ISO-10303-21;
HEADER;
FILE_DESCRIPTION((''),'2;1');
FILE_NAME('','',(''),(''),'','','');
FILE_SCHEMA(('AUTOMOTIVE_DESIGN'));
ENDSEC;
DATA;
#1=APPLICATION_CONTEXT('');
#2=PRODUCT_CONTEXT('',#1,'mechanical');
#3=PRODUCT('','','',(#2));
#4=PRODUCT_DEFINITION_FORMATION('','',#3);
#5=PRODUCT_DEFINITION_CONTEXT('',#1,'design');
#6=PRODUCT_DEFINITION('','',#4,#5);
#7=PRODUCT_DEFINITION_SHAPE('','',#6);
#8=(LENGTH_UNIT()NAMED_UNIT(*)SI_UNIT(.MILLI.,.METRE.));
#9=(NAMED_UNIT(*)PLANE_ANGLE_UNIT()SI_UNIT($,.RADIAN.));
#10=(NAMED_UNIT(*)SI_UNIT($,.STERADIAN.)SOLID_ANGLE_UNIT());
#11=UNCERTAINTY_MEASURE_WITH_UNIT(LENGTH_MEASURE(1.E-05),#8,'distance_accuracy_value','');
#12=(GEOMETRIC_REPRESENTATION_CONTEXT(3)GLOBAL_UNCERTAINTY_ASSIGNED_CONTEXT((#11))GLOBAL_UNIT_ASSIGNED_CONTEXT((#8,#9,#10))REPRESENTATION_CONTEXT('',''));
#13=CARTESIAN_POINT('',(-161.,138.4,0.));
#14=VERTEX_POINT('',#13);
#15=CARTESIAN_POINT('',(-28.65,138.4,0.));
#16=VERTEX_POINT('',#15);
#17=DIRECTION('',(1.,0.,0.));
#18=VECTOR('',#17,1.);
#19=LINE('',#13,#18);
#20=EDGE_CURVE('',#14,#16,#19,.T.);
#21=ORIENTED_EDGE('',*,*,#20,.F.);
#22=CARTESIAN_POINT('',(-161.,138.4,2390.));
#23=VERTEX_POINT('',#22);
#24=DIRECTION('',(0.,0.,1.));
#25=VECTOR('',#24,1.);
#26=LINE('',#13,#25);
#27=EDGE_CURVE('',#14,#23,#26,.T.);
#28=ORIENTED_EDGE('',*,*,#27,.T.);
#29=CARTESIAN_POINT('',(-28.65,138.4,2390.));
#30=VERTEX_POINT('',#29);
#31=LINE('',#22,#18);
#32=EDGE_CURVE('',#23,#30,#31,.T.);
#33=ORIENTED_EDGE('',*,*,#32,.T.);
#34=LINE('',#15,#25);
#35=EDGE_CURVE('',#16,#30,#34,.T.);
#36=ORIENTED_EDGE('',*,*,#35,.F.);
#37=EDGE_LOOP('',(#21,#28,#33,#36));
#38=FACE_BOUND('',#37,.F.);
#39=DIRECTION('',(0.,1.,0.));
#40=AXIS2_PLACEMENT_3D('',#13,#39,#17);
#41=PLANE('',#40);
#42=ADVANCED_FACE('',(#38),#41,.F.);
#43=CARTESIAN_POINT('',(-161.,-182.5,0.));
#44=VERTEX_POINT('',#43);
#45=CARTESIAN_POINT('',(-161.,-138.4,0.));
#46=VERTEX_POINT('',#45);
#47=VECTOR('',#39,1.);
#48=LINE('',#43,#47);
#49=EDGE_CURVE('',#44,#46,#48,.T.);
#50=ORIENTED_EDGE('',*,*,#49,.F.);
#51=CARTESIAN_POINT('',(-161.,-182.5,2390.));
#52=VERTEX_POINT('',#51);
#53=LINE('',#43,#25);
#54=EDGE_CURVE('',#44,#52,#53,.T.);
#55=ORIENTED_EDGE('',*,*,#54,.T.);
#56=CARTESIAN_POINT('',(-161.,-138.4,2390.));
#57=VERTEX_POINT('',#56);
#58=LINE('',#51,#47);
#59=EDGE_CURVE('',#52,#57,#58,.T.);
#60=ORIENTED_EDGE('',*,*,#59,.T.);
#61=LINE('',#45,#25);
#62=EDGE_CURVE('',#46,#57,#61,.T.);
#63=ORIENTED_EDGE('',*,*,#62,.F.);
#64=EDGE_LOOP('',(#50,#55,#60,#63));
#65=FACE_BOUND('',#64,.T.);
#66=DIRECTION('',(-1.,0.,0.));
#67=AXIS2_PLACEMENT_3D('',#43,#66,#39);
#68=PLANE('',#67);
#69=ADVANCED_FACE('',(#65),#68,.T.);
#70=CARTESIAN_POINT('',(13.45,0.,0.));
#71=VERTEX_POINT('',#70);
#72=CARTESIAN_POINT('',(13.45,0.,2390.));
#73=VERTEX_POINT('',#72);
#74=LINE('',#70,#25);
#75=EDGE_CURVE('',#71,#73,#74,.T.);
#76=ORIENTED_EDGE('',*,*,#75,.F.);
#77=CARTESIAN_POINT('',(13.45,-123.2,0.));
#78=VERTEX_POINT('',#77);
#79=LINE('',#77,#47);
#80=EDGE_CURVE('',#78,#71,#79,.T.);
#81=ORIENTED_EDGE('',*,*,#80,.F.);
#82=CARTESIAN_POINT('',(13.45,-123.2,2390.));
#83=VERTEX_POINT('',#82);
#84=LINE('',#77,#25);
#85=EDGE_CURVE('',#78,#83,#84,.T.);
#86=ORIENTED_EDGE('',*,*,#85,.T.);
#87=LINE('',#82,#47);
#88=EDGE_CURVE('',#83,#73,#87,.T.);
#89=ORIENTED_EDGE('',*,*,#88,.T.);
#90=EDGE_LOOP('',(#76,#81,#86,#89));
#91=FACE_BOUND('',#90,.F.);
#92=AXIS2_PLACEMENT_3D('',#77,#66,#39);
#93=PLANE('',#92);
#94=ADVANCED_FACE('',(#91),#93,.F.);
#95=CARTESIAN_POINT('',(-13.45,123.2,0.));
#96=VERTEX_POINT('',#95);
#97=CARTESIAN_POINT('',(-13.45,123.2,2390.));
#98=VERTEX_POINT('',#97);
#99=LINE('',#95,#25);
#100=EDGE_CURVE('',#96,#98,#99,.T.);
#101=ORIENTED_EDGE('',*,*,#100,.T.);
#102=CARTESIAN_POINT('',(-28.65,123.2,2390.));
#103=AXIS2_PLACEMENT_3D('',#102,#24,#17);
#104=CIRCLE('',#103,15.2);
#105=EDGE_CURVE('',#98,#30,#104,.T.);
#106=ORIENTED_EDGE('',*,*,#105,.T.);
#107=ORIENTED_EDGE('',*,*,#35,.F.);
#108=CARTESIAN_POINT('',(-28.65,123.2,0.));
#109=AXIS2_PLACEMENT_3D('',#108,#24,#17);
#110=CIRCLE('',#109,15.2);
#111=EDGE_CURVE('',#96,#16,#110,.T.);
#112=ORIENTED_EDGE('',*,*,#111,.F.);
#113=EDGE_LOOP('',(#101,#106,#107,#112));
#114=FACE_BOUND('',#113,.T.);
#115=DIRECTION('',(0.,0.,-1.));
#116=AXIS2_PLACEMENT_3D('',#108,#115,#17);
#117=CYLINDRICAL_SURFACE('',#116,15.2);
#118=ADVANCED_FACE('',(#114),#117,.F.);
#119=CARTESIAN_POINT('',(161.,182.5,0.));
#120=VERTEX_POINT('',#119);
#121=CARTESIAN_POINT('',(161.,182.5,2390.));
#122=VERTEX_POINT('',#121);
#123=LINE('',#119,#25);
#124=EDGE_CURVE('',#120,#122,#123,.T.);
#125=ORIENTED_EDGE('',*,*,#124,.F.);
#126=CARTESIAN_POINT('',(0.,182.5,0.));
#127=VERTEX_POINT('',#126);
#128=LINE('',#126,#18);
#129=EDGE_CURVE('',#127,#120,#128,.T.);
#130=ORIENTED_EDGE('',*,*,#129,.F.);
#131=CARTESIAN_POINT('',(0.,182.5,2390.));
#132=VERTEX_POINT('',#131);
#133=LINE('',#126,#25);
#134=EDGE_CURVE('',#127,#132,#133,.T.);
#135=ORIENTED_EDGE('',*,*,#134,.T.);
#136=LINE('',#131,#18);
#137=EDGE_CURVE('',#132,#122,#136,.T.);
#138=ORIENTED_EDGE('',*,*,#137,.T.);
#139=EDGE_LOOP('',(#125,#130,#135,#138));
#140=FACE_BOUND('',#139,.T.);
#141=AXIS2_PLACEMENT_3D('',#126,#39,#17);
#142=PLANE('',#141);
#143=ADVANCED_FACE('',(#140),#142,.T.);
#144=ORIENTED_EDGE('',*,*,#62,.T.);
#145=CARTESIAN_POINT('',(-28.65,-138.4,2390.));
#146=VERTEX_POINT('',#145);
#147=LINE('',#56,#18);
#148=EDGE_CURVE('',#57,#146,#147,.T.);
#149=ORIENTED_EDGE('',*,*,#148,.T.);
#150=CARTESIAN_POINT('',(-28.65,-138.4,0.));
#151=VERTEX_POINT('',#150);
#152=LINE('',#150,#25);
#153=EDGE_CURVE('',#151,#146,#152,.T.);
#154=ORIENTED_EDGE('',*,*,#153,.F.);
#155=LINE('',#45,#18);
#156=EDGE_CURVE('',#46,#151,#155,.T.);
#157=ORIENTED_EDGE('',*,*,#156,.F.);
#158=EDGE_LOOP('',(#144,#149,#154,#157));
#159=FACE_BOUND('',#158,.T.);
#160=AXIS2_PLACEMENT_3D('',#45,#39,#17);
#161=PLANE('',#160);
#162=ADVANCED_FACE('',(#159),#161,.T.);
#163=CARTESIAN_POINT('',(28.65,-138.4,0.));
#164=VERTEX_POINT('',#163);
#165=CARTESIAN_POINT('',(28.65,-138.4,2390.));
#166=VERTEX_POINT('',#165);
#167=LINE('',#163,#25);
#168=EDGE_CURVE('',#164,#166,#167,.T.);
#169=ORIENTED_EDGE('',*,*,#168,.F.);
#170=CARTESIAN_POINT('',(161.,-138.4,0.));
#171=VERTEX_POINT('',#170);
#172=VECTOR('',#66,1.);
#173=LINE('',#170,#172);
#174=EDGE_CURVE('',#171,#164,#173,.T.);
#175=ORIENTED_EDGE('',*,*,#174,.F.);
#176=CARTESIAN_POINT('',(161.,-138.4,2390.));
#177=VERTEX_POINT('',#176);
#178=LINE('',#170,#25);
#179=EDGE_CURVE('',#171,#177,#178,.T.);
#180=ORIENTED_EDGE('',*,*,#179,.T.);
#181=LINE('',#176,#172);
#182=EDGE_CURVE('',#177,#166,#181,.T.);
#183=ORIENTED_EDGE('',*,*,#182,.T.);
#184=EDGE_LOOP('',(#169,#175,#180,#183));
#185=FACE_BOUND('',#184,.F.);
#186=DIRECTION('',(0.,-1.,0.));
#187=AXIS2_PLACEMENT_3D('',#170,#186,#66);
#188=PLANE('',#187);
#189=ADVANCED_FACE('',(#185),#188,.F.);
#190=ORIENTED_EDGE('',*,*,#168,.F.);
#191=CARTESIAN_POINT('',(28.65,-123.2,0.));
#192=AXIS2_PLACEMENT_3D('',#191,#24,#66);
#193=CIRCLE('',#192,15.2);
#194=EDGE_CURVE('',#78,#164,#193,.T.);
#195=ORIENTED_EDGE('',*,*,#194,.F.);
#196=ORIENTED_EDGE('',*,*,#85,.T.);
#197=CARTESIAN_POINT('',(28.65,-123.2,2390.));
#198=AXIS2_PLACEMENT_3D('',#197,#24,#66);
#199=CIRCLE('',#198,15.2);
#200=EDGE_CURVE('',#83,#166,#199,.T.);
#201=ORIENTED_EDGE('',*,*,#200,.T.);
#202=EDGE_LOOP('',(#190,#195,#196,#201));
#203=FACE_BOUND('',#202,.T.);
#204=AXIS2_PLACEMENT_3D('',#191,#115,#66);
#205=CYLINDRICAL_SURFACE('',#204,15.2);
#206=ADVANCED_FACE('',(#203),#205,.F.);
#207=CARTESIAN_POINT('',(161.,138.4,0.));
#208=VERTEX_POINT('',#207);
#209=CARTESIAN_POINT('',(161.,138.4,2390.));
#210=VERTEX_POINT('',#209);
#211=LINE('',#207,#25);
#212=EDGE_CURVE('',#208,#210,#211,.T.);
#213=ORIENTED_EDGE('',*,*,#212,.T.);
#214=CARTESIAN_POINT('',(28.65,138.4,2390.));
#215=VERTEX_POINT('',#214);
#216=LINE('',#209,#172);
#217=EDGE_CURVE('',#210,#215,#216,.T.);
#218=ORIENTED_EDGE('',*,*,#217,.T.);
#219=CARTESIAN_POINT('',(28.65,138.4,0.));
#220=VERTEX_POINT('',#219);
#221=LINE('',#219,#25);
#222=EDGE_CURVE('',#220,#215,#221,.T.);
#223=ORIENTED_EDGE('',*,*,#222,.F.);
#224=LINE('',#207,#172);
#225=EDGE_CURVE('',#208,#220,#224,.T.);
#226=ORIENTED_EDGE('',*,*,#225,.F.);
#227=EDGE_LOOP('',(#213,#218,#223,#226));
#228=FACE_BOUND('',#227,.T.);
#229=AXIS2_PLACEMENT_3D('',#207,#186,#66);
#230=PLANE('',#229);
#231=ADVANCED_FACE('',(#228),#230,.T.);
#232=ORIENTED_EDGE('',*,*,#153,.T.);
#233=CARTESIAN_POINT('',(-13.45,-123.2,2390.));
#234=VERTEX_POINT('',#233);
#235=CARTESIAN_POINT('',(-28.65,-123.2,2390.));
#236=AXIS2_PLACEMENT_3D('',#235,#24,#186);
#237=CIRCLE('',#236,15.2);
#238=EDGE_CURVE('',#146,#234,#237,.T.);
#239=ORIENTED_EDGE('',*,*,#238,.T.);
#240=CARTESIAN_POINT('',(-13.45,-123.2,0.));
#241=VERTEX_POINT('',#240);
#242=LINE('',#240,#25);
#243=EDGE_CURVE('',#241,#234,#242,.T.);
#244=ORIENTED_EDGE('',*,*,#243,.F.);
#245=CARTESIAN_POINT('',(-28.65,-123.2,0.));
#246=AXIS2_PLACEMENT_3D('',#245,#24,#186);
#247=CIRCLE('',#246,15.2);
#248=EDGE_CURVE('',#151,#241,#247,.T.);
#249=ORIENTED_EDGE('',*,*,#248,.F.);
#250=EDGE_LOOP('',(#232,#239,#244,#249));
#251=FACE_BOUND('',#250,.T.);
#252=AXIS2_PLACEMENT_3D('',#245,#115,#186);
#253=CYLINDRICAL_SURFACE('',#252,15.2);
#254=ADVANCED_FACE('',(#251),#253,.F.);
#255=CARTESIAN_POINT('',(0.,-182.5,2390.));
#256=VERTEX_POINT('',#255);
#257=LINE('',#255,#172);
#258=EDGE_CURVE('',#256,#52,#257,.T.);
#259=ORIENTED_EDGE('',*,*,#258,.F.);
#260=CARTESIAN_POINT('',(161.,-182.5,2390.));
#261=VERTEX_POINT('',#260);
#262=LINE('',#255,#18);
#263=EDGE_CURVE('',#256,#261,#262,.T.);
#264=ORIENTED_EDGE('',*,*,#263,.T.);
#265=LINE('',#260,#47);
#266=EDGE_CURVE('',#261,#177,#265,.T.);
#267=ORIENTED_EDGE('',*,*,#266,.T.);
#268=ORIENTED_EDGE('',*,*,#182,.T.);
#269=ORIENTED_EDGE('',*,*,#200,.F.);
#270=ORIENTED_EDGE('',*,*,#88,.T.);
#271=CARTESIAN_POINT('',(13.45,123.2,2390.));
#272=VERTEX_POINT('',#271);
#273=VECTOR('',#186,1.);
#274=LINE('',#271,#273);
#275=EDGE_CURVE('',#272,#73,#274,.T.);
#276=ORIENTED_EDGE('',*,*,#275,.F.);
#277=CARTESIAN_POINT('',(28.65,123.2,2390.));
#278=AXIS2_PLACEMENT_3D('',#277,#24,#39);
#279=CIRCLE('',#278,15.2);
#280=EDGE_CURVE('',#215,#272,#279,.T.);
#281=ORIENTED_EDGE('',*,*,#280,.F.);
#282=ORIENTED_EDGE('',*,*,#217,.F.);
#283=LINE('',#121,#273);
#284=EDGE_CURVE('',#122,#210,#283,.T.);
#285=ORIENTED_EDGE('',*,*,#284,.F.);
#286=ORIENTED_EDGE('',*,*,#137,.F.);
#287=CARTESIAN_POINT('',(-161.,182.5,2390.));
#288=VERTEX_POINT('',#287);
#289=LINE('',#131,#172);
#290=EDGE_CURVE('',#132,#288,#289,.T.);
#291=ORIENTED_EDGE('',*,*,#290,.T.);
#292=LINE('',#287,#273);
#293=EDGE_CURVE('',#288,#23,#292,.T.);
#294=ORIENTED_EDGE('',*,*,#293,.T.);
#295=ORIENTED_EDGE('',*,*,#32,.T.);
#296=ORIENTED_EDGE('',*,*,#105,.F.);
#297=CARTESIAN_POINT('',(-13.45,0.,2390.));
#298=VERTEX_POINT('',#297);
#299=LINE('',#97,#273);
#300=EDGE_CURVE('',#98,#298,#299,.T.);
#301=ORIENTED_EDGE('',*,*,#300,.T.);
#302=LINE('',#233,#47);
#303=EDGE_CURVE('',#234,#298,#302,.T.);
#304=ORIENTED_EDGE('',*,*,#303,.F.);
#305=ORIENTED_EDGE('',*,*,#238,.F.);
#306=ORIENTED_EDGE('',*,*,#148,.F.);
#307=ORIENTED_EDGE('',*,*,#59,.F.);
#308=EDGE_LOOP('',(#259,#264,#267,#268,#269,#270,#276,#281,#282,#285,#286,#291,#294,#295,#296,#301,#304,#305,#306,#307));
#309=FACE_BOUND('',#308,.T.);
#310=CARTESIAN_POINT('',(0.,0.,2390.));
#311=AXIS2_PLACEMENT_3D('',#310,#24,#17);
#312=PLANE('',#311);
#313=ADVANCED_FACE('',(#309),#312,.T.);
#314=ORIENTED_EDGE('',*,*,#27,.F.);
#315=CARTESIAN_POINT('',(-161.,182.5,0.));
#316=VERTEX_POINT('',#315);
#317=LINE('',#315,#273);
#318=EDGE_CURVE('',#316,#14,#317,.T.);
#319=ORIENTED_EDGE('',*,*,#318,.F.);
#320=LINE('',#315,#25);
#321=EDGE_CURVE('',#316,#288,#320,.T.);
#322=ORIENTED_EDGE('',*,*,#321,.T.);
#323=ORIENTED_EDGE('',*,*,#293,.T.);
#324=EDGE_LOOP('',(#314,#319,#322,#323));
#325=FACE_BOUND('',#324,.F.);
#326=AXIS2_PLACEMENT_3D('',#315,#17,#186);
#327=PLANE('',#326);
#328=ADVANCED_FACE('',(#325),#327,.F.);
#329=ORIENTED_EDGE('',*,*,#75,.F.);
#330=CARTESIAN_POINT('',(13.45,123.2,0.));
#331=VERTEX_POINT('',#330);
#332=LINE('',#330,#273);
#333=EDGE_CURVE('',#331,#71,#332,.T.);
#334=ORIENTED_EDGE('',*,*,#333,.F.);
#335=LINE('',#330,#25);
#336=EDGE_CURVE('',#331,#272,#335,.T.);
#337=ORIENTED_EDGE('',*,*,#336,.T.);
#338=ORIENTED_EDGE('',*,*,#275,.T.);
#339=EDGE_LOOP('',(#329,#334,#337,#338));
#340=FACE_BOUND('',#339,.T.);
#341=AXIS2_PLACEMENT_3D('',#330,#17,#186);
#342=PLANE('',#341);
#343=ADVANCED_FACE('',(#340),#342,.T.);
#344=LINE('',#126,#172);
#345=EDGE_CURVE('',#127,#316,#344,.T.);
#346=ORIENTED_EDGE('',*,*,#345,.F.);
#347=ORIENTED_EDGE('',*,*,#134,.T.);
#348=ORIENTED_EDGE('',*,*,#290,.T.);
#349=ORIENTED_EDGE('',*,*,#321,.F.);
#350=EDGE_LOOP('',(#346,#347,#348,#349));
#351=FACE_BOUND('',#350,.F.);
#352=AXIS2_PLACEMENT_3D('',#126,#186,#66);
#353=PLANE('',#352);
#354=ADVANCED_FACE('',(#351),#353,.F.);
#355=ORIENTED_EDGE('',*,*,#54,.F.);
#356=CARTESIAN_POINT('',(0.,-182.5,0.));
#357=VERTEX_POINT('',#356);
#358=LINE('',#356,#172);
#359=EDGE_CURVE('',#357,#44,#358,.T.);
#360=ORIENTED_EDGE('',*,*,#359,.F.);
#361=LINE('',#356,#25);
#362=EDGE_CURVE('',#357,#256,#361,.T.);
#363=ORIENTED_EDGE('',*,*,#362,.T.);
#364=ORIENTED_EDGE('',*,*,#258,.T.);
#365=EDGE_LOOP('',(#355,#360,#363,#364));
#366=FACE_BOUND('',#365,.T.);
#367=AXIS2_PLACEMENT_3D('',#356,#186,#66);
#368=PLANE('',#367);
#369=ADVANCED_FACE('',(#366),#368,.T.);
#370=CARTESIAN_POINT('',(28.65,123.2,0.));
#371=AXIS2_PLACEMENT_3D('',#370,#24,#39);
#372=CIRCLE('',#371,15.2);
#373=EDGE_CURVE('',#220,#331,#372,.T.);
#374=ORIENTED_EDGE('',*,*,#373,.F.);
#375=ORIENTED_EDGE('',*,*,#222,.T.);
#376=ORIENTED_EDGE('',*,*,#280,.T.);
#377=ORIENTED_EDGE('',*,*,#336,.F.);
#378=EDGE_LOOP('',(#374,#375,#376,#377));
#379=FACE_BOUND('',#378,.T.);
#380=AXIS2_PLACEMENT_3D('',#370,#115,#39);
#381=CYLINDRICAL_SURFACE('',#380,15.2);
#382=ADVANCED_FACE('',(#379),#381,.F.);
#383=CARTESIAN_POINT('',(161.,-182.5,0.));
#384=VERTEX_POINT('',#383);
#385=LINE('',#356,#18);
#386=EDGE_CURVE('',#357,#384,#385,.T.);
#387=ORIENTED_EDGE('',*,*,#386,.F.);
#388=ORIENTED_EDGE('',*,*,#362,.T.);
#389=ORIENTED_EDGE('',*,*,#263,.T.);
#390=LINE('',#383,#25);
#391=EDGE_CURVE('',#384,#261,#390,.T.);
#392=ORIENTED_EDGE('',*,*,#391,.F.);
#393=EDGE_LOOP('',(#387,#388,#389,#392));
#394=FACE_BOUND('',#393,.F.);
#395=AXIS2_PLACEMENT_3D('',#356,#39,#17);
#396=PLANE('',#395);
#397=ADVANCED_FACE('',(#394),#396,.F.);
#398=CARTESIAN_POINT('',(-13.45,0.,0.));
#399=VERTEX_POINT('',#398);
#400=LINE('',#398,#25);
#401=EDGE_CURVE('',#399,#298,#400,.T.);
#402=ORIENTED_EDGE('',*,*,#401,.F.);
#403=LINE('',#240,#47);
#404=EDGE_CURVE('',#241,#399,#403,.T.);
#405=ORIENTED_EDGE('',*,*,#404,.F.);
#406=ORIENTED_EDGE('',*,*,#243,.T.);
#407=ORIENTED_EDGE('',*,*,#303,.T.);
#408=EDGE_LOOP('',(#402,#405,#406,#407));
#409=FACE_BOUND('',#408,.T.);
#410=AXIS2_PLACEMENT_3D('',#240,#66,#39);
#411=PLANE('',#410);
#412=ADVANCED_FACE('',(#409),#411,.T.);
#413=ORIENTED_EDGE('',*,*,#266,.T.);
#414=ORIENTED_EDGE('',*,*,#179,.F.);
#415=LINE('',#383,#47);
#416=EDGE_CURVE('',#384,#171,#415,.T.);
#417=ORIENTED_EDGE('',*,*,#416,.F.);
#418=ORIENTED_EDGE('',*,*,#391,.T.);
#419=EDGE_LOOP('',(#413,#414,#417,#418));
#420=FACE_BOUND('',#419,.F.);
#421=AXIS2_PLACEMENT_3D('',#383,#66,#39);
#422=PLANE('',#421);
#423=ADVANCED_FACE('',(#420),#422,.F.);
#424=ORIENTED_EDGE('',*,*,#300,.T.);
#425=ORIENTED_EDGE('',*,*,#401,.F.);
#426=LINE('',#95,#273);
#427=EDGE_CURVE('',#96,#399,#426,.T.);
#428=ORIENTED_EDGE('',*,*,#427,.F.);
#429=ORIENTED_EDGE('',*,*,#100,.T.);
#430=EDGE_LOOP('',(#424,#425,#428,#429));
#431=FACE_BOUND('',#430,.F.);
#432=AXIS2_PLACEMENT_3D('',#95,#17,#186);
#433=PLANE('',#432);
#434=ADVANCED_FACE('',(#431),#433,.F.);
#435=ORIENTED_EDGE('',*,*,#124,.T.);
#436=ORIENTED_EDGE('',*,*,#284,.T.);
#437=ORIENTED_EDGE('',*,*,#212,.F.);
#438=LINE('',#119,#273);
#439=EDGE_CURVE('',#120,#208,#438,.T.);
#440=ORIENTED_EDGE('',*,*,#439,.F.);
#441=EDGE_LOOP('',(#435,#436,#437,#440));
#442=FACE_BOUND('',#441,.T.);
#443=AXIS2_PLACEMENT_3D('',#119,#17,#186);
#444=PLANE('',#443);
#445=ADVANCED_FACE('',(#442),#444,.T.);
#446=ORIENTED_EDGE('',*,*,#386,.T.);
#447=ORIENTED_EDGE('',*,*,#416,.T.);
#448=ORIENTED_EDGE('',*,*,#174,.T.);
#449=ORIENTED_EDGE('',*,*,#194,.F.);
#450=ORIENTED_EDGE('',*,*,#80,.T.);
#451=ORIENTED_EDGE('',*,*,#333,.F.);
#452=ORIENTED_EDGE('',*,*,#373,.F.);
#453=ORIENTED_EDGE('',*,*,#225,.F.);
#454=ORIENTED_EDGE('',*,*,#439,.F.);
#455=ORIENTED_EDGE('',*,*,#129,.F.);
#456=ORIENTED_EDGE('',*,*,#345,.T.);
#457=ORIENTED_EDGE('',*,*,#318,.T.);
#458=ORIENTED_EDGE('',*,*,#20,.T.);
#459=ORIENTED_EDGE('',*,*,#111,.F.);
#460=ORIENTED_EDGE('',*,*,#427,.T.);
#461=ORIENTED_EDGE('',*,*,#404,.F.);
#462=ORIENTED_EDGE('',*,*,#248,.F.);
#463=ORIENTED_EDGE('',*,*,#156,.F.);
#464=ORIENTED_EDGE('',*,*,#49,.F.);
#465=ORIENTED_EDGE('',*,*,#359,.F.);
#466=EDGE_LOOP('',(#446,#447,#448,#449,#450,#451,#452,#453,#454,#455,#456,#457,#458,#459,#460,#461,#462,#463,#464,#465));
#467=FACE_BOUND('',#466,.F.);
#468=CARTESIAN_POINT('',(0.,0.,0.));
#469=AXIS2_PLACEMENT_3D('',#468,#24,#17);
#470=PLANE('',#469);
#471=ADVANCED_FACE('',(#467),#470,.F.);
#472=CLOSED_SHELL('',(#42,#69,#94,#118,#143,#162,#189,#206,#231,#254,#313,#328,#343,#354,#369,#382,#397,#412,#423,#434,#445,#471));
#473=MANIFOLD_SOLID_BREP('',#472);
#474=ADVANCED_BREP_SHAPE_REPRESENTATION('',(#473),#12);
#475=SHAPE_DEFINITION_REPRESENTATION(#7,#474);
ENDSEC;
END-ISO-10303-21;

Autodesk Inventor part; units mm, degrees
ref_plane "YZ Plane" through (0, 0, 0) normal (1, 0, 0) x (0, 1, 0)
ref_plane "Start plane" through (0, 0, 0) normal (0, 0, 1) x (1, 0, 0)
ref_plane "End plane" through (0, 0, 2390) normal (0, 0, 1) x (1, 0, 0)
sketch "Sketch" plane through (0, 0, 0) normal (0, 0, 1) x (1, 0, 0)
  line L0 (-161, -182.5) -> (-161, -138.4)
  line L1 (-161, -138.4) -> (-28.65, -138.4)
  line L2 (-13.45, -123.2) -> (-13.45, 0)
  line L3 (-13.45, 0) -> (0, 0) construction
  line L4 (0, 0) -> (0, -182.5) construction
  line L5 (0, -182.5) -> (-161, -182.5)
  line L6 (-60, 0) -> (80, 0) construction
  line L7 (0, -60) -> (0, 80) construction
  line L8 (161, -182.5) -> (161, -138.4)
  line L9 (161, -138.4) -> (28.65, -138.4)
  line L10 (13.45, -123.2) -> (13.45, 0)
  line L11 (13.45, 0) -> (0, 0) construction
  line L12 (0, -182.5) -> (161, -182.5)
  line L13 (-161, 182.5) -> (-161, 138.4)
  line L14 (-161, 138.4) -> (-28.65, 138.4)
  line L15 (-13.45, 123.2) -> (-13.45, 0)
  line L16 (0, 182.5) -> (-161, 182.5)
  line L17 (161, 182.5) -> (161, 138.4)
  line L18 (161, 138.4) -> (28.65, 138.4)
  line L19 (0, 182.5) -> (161, 182.5)
  line L20 (13.45, 123.2) -> (13.45, 0)
  arc A0 (-13.45, 123.2) -> (-28.65, 138.4) centre (-28.65, 123.2) ccw
  arc A1 (28.65, 138.4) -> (13.45, 123.2) centre (28.65, 123.2) ccw
  arc A2 (13.45, -123.2) -> (28.65, -138.4) centre (28.65, -123.2) ccw
  arc A3 (-28.65, -138.4) -> (-13.45, -123.2) centre (-28.65, -123.2) ccw
  line L21 (0, 108) -> (0, -88) construction
  line L22 (-88, 0) -> (108, 0) construction
  point P0 (-13.45, -138.4)
  point P1 (13.45, -138.4)
  point P2 (-13.45, 138.4)
  point P3 (13.45, 138.4)
  dimension "d1" = 182.5
  dimension "d2" = 44.1
  dimension "d3" = 161
  dimension "d4" = 13.45
  dimension "d10" = 15.2
extrude "Body" add sketch "Sketch" along normal up to surface (2390 mm away) from surface at 0
sketch "Sketch4" plane through (0, 0, 0) normal (0, 0, 1) x (1, 0, 0)
  line L0 (0, 0) -> (10, 0)
ref_plane "Work Plane3" through (0, 0, 0) normal (0, -1, 0) x (1, 0, 0)
sketch "Sketch5" plane through (0, 0, 0) normal (0, -1, 0) x (1, 0, 0)
  line L0 (-2, 0) -> (12, 0) projected
  line L1 (-2, 2390) -> (12, 2390) projected
  dimension "d14" = 2390
equation "\"d1\" = 0.5 * G_H"
equation "\"d2\" = G_T1"
equation "\"d3\" = 0.5 * G_W"
equation "\"d4\" = 0.5 * G_T"
equation "\"d10\" = G_IR"
equation "\"d5\" = G_L"
equation "\"G_W\" = 322"
equation "\"G_H\" = 365"
equation "\"G_T\" = 26.9"
equation "\"G_T1\" = 44.1"
equation "\"G_IR\" = 15.2"
equation "\"G_L\" = d14"
equation "\"G_OFFSET_START\" = 0"
equation "\"G_OFFSET_END\" = 0"
properties part number "AS 3679 - 310 UC - 283 - 2390" material "Steel, Mild"
